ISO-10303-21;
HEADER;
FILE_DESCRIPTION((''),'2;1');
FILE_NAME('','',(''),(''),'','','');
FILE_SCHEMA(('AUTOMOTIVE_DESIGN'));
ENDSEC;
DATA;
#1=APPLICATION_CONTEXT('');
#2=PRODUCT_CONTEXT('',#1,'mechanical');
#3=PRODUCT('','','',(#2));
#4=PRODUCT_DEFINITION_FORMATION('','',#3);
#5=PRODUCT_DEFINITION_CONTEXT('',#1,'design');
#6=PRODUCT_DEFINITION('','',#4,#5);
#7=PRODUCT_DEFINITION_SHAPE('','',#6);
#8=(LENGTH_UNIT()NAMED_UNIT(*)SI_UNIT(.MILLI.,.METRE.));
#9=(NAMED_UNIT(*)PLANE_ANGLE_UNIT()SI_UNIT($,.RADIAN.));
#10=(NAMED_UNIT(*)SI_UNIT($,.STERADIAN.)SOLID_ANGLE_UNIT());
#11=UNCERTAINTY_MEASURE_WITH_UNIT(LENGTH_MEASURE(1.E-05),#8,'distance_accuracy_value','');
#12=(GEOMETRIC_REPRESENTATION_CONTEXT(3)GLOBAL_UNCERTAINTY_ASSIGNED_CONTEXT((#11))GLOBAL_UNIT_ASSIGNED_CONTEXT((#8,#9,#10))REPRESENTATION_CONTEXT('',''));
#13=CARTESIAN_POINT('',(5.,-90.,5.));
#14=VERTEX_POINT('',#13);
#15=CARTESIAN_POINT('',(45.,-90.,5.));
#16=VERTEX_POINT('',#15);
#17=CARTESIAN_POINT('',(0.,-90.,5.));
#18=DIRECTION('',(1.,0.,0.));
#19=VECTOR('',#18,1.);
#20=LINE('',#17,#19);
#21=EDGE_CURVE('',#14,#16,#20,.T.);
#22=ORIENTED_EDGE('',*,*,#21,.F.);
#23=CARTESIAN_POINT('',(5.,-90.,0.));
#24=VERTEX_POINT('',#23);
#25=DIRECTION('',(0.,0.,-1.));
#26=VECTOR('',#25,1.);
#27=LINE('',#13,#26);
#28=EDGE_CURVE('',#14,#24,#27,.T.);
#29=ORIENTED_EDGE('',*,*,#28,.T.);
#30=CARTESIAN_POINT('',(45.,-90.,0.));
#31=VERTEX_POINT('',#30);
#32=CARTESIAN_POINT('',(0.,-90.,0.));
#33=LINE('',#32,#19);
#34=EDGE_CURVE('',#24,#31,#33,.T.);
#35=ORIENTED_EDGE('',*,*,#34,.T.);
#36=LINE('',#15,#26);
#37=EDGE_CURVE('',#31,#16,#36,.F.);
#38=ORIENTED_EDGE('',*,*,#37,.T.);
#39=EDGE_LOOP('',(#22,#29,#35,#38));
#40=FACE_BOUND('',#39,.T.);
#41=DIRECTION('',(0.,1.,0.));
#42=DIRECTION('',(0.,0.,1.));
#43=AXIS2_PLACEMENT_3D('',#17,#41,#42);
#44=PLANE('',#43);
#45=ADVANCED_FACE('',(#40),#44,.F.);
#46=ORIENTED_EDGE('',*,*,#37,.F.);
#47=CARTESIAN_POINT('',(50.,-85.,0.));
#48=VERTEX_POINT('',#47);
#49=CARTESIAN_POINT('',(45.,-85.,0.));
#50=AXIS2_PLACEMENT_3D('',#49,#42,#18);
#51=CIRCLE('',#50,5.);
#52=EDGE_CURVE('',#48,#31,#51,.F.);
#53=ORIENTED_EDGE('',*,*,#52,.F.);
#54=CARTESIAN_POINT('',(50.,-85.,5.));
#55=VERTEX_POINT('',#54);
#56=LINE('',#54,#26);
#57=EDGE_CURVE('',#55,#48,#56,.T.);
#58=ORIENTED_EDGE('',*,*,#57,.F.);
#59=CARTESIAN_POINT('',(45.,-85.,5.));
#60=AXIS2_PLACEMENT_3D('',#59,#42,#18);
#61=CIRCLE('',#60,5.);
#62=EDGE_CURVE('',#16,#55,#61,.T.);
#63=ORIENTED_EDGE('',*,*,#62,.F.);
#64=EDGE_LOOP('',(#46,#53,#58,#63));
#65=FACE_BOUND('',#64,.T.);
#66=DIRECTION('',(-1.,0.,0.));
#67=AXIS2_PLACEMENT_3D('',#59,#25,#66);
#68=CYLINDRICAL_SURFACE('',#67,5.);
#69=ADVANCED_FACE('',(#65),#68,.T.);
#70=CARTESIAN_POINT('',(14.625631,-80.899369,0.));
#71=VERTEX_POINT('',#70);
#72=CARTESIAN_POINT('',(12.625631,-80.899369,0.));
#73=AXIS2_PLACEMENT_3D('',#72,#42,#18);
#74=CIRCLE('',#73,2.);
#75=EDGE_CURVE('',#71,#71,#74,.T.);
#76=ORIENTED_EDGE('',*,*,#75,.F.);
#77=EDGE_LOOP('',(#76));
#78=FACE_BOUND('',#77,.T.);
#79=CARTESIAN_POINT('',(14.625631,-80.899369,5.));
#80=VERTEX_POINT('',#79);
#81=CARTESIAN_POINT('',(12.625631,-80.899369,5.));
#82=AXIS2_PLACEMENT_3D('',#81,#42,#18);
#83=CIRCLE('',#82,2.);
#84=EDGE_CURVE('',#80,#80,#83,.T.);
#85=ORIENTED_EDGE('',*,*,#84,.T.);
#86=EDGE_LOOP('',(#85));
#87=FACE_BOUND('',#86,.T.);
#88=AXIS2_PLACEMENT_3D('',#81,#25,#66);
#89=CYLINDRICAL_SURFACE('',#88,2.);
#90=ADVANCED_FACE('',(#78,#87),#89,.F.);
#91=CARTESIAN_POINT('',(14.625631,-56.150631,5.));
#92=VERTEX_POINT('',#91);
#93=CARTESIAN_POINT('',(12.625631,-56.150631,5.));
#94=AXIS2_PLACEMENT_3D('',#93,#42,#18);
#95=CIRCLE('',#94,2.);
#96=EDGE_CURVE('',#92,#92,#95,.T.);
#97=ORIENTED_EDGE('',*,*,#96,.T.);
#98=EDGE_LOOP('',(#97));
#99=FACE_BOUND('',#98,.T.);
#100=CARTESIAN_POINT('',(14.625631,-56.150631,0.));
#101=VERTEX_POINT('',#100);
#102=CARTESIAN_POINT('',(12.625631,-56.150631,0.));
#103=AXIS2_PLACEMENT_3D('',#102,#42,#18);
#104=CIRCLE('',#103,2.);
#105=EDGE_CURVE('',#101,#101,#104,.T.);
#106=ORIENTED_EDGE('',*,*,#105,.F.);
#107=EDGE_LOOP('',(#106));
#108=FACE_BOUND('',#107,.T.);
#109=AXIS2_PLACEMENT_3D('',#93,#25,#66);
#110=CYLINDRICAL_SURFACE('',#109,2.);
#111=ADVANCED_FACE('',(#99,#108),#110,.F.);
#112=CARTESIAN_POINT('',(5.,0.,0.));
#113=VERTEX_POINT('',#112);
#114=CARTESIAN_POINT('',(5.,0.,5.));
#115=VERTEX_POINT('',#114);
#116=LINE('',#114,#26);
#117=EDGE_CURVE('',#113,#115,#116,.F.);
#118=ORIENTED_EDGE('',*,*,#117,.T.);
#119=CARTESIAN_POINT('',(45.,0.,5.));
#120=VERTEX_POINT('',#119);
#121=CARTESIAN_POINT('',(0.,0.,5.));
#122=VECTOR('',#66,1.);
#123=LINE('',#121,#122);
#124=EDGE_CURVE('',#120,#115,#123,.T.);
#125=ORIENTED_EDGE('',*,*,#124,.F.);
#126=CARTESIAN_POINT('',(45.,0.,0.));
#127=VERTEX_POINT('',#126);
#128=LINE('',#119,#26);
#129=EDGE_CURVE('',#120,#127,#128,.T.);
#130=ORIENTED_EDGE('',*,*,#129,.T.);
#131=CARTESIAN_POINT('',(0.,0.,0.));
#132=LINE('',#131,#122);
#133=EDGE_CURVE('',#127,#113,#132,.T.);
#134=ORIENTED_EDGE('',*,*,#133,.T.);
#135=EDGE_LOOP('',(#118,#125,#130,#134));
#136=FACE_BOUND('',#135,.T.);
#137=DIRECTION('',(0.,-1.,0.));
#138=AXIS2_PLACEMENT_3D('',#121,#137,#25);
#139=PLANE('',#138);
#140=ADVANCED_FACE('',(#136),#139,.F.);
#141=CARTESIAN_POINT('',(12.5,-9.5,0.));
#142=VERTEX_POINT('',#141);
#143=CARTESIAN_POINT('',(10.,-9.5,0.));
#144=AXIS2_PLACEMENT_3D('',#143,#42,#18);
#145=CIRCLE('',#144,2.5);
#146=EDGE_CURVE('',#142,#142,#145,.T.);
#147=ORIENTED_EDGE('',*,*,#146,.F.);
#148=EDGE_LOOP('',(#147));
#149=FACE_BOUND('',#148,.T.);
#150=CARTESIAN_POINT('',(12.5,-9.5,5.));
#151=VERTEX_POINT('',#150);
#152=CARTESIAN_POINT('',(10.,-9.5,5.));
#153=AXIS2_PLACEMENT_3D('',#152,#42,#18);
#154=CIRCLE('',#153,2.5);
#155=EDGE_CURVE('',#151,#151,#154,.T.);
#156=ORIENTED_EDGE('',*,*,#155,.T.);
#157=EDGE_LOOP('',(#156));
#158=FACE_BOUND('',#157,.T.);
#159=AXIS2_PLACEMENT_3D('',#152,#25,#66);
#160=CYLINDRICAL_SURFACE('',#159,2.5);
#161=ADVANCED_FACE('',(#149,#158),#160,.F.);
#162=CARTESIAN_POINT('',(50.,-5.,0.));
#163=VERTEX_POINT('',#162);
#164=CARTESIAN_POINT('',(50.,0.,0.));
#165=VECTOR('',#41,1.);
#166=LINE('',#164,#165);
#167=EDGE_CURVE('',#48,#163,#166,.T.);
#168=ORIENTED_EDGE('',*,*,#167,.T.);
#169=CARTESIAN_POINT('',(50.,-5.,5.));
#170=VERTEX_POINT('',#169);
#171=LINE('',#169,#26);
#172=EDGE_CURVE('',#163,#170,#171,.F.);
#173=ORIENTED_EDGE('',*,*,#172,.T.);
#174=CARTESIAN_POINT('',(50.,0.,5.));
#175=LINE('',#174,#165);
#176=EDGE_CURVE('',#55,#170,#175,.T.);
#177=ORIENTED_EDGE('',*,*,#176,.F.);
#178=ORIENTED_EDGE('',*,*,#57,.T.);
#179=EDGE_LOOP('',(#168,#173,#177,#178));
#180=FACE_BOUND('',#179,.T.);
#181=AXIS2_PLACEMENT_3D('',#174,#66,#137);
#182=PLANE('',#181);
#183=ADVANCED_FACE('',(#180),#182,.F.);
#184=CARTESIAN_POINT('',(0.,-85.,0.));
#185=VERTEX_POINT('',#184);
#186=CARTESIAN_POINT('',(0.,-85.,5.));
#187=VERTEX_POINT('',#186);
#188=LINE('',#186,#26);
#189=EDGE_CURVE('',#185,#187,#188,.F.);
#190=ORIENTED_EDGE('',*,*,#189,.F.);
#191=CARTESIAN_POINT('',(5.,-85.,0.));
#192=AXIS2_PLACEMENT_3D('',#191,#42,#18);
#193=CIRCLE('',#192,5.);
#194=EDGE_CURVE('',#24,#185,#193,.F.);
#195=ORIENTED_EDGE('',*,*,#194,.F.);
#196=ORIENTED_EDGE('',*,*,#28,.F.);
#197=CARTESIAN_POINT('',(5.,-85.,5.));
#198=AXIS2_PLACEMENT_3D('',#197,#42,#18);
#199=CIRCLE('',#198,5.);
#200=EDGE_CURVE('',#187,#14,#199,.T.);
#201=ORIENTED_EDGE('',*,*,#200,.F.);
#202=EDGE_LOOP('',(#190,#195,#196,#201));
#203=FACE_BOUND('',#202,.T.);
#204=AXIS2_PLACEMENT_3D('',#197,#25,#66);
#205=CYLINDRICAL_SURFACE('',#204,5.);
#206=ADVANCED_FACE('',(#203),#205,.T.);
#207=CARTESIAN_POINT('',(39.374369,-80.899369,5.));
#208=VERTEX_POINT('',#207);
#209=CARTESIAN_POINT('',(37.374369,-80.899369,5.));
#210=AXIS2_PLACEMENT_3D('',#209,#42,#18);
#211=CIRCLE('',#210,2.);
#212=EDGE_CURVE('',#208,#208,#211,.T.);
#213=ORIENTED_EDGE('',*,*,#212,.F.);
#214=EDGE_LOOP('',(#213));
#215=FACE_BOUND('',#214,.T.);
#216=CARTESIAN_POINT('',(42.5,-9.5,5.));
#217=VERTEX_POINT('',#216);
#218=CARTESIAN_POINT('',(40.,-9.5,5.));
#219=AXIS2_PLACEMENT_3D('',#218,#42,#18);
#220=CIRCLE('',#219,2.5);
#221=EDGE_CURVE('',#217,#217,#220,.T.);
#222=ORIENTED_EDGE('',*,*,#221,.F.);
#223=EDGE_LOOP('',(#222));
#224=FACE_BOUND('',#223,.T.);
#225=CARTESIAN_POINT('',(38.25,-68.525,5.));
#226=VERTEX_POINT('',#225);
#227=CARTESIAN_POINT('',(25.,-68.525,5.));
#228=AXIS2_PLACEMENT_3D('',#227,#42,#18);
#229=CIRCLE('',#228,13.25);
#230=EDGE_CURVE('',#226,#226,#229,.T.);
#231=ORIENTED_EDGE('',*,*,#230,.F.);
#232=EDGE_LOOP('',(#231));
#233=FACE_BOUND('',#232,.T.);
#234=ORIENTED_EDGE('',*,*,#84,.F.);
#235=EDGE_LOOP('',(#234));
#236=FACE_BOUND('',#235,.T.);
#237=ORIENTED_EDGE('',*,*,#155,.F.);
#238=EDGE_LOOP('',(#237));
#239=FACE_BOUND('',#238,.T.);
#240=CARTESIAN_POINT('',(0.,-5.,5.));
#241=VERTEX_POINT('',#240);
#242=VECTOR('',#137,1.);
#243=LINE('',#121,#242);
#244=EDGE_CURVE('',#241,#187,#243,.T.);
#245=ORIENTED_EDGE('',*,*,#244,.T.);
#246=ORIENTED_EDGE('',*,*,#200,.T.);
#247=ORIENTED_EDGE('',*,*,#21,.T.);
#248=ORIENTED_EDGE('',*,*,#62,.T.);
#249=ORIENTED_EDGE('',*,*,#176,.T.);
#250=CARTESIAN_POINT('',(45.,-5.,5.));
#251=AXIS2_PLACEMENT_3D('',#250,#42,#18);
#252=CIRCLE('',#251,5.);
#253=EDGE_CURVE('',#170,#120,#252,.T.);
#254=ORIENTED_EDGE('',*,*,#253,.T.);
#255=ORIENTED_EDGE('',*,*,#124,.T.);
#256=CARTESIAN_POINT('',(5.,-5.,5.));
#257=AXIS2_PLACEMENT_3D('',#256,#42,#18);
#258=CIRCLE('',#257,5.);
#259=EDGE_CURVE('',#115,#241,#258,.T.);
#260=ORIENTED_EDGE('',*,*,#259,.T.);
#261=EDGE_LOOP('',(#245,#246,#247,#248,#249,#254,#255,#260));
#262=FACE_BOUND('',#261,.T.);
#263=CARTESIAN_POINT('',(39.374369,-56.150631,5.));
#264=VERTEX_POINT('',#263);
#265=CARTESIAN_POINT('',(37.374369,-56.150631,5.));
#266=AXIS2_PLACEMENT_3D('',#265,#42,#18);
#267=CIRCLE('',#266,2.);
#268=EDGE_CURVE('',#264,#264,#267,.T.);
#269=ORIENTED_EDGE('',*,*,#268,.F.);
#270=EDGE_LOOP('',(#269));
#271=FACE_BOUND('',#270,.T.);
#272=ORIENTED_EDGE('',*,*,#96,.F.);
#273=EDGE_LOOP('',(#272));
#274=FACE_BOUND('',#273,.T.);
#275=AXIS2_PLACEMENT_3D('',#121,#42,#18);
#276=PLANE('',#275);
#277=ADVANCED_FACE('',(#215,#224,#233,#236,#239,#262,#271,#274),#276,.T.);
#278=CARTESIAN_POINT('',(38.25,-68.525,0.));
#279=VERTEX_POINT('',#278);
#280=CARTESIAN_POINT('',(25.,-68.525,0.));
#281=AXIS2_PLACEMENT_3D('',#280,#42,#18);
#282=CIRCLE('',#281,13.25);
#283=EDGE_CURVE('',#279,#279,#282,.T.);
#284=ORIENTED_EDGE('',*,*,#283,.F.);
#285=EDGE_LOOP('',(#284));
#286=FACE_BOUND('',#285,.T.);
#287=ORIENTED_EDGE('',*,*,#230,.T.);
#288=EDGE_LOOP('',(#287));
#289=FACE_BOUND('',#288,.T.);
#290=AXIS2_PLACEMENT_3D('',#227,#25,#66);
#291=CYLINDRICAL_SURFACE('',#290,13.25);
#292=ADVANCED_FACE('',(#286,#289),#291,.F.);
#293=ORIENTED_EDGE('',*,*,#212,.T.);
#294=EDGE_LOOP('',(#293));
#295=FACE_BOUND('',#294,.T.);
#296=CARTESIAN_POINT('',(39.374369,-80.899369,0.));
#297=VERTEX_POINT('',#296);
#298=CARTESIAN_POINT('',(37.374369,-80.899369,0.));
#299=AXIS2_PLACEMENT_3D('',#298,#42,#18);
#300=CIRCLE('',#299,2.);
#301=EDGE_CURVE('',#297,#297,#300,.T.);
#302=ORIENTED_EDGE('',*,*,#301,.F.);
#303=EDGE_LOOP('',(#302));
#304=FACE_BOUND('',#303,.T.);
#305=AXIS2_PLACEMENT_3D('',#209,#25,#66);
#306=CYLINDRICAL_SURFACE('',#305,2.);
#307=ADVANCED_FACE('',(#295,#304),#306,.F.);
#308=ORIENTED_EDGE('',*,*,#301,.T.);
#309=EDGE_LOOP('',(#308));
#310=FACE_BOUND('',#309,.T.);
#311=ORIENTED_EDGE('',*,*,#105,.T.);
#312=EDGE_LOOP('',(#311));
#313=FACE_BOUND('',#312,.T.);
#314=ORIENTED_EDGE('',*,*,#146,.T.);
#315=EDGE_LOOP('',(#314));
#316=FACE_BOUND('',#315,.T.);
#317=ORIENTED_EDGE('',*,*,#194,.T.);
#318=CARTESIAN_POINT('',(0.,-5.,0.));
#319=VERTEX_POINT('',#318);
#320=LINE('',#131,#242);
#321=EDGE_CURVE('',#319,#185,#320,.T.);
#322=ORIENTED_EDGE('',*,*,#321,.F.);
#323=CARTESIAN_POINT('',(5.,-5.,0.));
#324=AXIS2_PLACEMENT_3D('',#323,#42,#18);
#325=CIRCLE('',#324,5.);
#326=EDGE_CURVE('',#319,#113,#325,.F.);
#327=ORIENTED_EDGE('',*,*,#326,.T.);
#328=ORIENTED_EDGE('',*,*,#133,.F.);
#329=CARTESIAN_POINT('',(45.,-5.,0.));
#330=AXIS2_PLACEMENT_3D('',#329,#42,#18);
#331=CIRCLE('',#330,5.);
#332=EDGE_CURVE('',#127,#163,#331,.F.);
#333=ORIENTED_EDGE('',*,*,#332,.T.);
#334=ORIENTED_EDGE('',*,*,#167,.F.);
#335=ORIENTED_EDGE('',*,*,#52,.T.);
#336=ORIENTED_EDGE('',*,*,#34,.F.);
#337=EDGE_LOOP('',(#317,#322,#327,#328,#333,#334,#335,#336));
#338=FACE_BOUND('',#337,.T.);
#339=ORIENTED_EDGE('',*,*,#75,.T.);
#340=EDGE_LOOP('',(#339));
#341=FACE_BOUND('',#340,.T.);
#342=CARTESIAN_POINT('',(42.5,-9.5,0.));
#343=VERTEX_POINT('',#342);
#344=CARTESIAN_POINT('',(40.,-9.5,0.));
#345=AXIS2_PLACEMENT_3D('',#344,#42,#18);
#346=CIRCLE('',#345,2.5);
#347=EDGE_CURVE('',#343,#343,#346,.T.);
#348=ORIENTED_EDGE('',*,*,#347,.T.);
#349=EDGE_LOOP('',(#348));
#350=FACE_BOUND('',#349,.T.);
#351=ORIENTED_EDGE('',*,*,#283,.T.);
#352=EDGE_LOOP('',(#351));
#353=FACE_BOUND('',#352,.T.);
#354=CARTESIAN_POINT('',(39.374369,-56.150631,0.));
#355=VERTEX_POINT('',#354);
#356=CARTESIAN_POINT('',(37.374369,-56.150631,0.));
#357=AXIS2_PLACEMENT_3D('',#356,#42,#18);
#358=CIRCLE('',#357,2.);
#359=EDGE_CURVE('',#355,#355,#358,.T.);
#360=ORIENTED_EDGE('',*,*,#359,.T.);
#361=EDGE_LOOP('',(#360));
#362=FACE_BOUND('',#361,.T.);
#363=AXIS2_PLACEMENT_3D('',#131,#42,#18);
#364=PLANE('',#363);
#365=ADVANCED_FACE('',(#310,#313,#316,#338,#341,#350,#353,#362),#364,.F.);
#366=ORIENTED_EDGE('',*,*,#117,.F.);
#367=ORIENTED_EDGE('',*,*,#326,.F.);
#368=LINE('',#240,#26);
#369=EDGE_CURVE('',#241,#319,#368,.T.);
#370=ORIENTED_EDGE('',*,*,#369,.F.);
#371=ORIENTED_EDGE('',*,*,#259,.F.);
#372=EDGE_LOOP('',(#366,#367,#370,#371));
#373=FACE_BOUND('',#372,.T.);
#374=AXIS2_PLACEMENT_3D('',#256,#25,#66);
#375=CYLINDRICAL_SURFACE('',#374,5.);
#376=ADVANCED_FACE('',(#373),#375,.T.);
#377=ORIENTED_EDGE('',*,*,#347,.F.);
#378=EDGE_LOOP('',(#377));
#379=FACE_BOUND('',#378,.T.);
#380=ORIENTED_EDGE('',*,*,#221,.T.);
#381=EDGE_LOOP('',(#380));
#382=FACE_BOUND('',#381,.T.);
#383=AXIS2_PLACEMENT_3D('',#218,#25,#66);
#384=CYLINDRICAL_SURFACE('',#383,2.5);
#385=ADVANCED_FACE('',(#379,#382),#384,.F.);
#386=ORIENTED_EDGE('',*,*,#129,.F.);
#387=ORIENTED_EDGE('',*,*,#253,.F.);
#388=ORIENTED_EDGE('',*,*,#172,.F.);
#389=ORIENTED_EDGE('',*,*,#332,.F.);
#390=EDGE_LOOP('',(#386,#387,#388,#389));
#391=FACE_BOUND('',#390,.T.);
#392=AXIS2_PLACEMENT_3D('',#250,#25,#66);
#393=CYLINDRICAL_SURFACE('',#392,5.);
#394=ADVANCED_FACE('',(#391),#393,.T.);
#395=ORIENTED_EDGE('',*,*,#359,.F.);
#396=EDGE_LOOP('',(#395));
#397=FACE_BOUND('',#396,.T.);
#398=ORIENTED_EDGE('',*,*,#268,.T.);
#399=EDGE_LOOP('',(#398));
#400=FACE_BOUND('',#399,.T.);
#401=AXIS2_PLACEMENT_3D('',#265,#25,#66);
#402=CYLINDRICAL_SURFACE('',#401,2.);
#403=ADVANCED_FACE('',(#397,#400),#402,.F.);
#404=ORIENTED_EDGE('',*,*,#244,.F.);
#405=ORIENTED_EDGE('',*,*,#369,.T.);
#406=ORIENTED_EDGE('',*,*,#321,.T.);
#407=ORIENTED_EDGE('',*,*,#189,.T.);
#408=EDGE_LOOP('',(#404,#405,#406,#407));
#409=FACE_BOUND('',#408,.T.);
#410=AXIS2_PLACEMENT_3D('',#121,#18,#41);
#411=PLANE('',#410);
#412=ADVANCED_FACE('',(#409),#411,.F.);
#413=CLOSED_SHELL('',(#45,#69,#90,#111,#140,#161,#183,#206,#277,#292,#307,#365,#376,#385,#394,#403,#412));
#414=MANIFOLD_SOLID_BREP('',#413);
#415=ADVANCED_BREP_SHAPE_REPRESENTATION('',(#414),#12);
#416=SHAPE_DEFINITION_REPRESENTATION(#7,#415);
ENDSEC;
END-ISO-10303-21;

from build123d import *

# Parameters (mm, degrees)
SKETCH1_W           = 50
SKETCH1_H           = 90
SKETCH1_R           = 2.5
SKETCH1_R_2         = 2
SKETCH1_R_3         = 13.25
BOSS_EXTRUDE1_DEPTH = 5
FILLET1_R           = 5


with BuildPart() as part:
    # Sketch1 → Boss-Extrude1 (new body)
    with BuildSketch(Plane.XY):
        with Locations((25, -45)):
            Rectangle(SKETCH1_W, SKETCH1_H)
        with Locations((10, -9.5)):
            Circle(SKETCH1_R, mode=Mode.SUBTRACT)
        with Locations((40, -9.5)):
            Circle(SKETCH1_R, mode=Mode.SUBTRACT)
        with Locations((37.374368671, -56.150631329)):
            Circle(SKETCH1_R_2, mode=Mode.SUBTRACT)
        with Locations((37.374368671, -80.899368671)):
            Circle(SKETCH1_R_2, mode=Mode.SUBTRACT)
        with Locations((12.625631329, -80.899368671)):
            Circle(SKETCH1_R_2, mode=Mode.SUBTRACT)
        with Locations((12.625631329, -56.150631329)):
            Circle(SKETCH1_R_2, mode=Mode.SUBTRACT)
        with Locations((25, -68.525)):
            Circle(SKETCH1_R_3, mode=Mode.SUBTRACT)
    extrude(amount=BOSS_EXTRUDE1_DEPTH)

    # Fillet1
    fillet1_edges = [part.edges().sort_by_distance(p)[0] for p in [
        (0, 0, 2.5),
        (50, 0, 2.5),
        (50, -90, 2.5),
        (0, -90, 2.5),
    ]]
    fillet(fillet1_edges, radius=FILLET1_R)


solid = part.part
